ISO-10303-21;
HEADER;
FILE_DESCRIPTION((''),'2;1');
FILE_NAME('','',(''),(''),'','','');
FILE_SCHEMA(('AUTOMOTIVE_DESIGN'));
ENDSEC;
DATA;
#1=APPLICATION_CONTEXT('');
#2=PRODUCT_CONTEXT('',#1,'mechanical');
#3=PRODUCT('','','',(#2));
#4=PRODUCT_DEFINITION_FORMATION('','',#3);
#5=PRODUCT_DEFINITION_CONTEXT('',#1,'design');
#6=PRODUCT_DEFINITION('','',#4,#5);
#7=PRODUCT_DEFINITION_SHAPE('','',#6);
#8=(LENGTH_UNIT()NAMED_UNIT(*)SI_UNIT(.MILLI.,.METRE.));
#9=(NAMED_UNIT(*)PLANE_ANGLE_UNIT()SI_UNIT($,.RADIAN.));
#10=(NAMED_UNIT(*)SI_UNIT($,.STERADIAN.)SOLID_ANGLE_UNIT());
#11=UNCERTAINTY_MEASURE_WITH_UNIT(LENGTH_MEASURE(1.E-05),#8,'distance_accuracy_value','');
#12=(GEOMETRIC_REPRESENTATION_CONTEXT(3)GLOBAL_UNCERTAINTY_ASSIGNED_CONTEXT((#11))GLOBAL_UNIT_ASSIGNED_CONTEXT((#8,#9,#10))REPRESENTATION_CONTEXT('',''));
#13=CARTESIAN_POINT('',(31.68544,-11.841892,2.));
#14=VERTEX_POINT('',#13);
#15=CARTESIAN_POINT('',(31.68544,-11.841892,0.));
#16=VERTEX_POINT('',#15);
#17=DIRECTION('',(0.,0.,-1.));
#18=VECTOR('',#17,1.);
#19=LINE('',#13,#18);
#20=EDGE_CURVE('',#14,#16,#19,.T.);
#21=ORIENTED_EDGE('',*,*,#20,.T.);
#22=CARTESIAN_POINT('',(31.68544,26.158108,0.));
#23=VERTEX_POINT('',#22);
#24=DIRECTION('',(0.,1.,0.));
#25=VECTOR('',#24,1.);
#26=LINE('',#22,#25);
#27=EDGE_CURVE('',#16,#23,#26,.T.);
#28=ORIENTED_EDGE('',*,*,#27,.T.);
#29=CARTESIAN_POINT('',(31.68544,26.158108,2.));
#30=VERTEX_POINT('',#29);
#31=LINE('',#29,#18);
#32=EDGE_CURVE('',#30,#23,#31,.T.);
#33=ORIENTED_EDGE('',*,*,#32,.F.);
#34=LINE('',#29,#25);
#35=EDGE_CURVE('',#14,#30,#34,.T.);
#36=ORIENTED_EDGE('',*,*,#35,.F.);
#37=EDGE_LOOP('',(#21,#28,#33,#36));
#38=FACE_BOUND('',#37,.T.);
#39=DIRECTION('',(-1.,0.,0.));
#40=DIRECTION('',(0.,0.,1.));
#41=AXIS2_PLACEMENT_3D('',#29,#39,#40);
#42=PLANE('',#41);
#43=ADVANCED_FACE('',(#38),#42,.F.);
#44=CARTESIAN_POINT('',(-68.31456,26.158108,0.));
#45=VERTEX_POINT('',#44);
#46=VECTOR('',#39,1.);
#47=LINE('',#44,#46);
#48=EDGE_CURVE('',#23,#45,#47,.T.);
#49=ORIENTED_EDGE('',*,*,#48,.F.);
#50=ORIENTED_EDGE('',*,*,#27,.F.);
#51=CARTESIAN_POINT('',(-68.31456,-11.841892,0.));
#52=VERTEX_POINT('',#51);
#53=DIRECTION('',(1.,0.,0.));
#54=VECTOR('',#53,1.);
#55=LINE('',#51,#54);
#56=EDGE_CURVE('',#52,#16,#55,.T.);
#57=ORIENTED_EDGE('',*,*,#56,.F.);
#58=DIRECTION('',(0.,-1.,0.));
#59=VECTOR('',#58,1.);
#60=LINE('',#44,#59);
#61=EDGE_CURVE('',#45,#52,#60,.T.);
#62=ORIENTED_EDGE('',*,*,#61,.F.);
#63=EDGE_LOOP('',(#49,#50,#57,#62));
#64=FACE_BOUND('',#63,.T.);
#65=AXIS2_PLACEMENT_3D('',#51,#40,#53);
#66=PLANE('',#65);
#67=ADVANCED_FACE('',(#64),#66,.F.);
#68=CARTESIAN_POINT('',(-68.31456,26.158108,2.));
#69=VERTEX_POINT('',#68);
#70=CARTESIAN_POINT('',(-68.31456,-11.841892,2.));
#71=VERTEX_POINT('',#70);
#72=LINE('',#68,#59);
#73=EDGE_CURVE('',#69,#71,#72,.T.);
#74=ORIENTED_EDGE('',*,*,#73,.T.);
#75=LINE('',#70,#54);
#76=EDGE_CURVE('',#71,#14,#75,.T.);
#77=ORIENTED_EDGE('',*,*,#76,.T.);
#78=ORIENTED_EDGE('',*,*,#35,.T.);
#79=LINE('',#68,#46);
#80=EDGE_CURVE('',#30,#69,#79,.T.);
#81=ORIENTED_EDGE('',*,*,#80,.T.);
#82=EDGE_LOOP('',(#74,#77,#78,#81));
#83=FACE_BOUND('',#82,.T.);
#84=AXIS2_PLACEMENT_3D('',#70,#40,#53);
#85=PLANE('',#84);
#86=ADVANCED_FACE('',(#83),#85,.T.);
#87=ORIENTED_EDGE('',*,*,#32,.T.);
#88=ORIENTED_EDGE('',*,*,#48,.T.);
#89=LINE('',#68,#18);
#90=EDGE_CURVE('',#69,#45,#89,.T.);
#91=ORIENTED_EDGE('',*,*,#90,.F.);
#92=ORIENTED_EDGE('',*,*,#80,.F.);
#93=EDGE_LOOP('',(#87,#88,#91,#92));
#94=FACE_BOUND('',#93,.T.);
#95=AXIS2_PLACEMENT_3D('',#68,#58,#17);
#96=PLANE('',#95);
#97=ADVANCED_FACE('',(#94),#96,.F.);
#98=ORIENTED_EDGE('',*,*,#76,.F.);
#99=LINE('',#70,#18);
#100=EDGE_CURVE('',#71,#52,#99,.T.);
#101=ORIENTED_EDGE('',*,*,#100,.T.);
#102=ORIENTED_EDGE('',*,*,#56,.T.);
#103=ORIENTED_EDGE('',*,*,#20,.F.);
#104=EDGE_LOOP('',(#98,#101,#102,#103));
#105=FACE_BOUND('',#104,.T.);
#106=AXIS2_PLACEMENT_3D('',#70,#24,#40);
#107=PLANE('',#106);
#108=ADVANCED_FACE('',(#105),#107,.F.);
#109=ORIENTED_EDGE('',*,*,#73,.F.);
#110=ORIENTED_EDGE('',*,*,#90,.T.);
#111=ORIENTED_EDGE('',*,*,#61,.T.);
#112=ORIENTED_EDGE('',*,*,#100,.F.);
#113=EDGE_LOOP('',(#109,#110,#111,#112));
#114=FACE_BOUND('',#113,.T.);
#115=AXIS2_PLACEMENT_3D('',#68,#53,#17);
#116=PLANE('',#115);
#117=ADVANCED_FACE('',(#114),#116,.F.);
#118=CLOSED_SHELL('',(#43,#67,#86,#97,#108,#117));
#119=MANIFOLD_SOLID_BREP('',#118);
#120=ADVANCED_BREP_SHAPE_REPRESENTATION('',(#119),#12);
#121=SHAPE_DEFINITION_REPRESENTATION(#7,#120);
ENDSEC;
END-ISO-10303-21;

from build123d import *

# Parameters (mm, degrees)
ESQUISSE1_W        = 100
ESQUISSE1_H        = 38
BOSS_EXTRU_1_DEPTH = 2


with BuildPart() as part:
    # Esquisse1 → Boss.-Extru.1 (new body)
    with BuildSketch(Plane.XY):
        with Locations((-18.314559858, 7.158108108)):
            Rectangle(ESQUISSE1_W, ESQUISSE1_H)
    extrude(amount=BOSS_EXTRU_1_DEPTH)


solid = part.part
